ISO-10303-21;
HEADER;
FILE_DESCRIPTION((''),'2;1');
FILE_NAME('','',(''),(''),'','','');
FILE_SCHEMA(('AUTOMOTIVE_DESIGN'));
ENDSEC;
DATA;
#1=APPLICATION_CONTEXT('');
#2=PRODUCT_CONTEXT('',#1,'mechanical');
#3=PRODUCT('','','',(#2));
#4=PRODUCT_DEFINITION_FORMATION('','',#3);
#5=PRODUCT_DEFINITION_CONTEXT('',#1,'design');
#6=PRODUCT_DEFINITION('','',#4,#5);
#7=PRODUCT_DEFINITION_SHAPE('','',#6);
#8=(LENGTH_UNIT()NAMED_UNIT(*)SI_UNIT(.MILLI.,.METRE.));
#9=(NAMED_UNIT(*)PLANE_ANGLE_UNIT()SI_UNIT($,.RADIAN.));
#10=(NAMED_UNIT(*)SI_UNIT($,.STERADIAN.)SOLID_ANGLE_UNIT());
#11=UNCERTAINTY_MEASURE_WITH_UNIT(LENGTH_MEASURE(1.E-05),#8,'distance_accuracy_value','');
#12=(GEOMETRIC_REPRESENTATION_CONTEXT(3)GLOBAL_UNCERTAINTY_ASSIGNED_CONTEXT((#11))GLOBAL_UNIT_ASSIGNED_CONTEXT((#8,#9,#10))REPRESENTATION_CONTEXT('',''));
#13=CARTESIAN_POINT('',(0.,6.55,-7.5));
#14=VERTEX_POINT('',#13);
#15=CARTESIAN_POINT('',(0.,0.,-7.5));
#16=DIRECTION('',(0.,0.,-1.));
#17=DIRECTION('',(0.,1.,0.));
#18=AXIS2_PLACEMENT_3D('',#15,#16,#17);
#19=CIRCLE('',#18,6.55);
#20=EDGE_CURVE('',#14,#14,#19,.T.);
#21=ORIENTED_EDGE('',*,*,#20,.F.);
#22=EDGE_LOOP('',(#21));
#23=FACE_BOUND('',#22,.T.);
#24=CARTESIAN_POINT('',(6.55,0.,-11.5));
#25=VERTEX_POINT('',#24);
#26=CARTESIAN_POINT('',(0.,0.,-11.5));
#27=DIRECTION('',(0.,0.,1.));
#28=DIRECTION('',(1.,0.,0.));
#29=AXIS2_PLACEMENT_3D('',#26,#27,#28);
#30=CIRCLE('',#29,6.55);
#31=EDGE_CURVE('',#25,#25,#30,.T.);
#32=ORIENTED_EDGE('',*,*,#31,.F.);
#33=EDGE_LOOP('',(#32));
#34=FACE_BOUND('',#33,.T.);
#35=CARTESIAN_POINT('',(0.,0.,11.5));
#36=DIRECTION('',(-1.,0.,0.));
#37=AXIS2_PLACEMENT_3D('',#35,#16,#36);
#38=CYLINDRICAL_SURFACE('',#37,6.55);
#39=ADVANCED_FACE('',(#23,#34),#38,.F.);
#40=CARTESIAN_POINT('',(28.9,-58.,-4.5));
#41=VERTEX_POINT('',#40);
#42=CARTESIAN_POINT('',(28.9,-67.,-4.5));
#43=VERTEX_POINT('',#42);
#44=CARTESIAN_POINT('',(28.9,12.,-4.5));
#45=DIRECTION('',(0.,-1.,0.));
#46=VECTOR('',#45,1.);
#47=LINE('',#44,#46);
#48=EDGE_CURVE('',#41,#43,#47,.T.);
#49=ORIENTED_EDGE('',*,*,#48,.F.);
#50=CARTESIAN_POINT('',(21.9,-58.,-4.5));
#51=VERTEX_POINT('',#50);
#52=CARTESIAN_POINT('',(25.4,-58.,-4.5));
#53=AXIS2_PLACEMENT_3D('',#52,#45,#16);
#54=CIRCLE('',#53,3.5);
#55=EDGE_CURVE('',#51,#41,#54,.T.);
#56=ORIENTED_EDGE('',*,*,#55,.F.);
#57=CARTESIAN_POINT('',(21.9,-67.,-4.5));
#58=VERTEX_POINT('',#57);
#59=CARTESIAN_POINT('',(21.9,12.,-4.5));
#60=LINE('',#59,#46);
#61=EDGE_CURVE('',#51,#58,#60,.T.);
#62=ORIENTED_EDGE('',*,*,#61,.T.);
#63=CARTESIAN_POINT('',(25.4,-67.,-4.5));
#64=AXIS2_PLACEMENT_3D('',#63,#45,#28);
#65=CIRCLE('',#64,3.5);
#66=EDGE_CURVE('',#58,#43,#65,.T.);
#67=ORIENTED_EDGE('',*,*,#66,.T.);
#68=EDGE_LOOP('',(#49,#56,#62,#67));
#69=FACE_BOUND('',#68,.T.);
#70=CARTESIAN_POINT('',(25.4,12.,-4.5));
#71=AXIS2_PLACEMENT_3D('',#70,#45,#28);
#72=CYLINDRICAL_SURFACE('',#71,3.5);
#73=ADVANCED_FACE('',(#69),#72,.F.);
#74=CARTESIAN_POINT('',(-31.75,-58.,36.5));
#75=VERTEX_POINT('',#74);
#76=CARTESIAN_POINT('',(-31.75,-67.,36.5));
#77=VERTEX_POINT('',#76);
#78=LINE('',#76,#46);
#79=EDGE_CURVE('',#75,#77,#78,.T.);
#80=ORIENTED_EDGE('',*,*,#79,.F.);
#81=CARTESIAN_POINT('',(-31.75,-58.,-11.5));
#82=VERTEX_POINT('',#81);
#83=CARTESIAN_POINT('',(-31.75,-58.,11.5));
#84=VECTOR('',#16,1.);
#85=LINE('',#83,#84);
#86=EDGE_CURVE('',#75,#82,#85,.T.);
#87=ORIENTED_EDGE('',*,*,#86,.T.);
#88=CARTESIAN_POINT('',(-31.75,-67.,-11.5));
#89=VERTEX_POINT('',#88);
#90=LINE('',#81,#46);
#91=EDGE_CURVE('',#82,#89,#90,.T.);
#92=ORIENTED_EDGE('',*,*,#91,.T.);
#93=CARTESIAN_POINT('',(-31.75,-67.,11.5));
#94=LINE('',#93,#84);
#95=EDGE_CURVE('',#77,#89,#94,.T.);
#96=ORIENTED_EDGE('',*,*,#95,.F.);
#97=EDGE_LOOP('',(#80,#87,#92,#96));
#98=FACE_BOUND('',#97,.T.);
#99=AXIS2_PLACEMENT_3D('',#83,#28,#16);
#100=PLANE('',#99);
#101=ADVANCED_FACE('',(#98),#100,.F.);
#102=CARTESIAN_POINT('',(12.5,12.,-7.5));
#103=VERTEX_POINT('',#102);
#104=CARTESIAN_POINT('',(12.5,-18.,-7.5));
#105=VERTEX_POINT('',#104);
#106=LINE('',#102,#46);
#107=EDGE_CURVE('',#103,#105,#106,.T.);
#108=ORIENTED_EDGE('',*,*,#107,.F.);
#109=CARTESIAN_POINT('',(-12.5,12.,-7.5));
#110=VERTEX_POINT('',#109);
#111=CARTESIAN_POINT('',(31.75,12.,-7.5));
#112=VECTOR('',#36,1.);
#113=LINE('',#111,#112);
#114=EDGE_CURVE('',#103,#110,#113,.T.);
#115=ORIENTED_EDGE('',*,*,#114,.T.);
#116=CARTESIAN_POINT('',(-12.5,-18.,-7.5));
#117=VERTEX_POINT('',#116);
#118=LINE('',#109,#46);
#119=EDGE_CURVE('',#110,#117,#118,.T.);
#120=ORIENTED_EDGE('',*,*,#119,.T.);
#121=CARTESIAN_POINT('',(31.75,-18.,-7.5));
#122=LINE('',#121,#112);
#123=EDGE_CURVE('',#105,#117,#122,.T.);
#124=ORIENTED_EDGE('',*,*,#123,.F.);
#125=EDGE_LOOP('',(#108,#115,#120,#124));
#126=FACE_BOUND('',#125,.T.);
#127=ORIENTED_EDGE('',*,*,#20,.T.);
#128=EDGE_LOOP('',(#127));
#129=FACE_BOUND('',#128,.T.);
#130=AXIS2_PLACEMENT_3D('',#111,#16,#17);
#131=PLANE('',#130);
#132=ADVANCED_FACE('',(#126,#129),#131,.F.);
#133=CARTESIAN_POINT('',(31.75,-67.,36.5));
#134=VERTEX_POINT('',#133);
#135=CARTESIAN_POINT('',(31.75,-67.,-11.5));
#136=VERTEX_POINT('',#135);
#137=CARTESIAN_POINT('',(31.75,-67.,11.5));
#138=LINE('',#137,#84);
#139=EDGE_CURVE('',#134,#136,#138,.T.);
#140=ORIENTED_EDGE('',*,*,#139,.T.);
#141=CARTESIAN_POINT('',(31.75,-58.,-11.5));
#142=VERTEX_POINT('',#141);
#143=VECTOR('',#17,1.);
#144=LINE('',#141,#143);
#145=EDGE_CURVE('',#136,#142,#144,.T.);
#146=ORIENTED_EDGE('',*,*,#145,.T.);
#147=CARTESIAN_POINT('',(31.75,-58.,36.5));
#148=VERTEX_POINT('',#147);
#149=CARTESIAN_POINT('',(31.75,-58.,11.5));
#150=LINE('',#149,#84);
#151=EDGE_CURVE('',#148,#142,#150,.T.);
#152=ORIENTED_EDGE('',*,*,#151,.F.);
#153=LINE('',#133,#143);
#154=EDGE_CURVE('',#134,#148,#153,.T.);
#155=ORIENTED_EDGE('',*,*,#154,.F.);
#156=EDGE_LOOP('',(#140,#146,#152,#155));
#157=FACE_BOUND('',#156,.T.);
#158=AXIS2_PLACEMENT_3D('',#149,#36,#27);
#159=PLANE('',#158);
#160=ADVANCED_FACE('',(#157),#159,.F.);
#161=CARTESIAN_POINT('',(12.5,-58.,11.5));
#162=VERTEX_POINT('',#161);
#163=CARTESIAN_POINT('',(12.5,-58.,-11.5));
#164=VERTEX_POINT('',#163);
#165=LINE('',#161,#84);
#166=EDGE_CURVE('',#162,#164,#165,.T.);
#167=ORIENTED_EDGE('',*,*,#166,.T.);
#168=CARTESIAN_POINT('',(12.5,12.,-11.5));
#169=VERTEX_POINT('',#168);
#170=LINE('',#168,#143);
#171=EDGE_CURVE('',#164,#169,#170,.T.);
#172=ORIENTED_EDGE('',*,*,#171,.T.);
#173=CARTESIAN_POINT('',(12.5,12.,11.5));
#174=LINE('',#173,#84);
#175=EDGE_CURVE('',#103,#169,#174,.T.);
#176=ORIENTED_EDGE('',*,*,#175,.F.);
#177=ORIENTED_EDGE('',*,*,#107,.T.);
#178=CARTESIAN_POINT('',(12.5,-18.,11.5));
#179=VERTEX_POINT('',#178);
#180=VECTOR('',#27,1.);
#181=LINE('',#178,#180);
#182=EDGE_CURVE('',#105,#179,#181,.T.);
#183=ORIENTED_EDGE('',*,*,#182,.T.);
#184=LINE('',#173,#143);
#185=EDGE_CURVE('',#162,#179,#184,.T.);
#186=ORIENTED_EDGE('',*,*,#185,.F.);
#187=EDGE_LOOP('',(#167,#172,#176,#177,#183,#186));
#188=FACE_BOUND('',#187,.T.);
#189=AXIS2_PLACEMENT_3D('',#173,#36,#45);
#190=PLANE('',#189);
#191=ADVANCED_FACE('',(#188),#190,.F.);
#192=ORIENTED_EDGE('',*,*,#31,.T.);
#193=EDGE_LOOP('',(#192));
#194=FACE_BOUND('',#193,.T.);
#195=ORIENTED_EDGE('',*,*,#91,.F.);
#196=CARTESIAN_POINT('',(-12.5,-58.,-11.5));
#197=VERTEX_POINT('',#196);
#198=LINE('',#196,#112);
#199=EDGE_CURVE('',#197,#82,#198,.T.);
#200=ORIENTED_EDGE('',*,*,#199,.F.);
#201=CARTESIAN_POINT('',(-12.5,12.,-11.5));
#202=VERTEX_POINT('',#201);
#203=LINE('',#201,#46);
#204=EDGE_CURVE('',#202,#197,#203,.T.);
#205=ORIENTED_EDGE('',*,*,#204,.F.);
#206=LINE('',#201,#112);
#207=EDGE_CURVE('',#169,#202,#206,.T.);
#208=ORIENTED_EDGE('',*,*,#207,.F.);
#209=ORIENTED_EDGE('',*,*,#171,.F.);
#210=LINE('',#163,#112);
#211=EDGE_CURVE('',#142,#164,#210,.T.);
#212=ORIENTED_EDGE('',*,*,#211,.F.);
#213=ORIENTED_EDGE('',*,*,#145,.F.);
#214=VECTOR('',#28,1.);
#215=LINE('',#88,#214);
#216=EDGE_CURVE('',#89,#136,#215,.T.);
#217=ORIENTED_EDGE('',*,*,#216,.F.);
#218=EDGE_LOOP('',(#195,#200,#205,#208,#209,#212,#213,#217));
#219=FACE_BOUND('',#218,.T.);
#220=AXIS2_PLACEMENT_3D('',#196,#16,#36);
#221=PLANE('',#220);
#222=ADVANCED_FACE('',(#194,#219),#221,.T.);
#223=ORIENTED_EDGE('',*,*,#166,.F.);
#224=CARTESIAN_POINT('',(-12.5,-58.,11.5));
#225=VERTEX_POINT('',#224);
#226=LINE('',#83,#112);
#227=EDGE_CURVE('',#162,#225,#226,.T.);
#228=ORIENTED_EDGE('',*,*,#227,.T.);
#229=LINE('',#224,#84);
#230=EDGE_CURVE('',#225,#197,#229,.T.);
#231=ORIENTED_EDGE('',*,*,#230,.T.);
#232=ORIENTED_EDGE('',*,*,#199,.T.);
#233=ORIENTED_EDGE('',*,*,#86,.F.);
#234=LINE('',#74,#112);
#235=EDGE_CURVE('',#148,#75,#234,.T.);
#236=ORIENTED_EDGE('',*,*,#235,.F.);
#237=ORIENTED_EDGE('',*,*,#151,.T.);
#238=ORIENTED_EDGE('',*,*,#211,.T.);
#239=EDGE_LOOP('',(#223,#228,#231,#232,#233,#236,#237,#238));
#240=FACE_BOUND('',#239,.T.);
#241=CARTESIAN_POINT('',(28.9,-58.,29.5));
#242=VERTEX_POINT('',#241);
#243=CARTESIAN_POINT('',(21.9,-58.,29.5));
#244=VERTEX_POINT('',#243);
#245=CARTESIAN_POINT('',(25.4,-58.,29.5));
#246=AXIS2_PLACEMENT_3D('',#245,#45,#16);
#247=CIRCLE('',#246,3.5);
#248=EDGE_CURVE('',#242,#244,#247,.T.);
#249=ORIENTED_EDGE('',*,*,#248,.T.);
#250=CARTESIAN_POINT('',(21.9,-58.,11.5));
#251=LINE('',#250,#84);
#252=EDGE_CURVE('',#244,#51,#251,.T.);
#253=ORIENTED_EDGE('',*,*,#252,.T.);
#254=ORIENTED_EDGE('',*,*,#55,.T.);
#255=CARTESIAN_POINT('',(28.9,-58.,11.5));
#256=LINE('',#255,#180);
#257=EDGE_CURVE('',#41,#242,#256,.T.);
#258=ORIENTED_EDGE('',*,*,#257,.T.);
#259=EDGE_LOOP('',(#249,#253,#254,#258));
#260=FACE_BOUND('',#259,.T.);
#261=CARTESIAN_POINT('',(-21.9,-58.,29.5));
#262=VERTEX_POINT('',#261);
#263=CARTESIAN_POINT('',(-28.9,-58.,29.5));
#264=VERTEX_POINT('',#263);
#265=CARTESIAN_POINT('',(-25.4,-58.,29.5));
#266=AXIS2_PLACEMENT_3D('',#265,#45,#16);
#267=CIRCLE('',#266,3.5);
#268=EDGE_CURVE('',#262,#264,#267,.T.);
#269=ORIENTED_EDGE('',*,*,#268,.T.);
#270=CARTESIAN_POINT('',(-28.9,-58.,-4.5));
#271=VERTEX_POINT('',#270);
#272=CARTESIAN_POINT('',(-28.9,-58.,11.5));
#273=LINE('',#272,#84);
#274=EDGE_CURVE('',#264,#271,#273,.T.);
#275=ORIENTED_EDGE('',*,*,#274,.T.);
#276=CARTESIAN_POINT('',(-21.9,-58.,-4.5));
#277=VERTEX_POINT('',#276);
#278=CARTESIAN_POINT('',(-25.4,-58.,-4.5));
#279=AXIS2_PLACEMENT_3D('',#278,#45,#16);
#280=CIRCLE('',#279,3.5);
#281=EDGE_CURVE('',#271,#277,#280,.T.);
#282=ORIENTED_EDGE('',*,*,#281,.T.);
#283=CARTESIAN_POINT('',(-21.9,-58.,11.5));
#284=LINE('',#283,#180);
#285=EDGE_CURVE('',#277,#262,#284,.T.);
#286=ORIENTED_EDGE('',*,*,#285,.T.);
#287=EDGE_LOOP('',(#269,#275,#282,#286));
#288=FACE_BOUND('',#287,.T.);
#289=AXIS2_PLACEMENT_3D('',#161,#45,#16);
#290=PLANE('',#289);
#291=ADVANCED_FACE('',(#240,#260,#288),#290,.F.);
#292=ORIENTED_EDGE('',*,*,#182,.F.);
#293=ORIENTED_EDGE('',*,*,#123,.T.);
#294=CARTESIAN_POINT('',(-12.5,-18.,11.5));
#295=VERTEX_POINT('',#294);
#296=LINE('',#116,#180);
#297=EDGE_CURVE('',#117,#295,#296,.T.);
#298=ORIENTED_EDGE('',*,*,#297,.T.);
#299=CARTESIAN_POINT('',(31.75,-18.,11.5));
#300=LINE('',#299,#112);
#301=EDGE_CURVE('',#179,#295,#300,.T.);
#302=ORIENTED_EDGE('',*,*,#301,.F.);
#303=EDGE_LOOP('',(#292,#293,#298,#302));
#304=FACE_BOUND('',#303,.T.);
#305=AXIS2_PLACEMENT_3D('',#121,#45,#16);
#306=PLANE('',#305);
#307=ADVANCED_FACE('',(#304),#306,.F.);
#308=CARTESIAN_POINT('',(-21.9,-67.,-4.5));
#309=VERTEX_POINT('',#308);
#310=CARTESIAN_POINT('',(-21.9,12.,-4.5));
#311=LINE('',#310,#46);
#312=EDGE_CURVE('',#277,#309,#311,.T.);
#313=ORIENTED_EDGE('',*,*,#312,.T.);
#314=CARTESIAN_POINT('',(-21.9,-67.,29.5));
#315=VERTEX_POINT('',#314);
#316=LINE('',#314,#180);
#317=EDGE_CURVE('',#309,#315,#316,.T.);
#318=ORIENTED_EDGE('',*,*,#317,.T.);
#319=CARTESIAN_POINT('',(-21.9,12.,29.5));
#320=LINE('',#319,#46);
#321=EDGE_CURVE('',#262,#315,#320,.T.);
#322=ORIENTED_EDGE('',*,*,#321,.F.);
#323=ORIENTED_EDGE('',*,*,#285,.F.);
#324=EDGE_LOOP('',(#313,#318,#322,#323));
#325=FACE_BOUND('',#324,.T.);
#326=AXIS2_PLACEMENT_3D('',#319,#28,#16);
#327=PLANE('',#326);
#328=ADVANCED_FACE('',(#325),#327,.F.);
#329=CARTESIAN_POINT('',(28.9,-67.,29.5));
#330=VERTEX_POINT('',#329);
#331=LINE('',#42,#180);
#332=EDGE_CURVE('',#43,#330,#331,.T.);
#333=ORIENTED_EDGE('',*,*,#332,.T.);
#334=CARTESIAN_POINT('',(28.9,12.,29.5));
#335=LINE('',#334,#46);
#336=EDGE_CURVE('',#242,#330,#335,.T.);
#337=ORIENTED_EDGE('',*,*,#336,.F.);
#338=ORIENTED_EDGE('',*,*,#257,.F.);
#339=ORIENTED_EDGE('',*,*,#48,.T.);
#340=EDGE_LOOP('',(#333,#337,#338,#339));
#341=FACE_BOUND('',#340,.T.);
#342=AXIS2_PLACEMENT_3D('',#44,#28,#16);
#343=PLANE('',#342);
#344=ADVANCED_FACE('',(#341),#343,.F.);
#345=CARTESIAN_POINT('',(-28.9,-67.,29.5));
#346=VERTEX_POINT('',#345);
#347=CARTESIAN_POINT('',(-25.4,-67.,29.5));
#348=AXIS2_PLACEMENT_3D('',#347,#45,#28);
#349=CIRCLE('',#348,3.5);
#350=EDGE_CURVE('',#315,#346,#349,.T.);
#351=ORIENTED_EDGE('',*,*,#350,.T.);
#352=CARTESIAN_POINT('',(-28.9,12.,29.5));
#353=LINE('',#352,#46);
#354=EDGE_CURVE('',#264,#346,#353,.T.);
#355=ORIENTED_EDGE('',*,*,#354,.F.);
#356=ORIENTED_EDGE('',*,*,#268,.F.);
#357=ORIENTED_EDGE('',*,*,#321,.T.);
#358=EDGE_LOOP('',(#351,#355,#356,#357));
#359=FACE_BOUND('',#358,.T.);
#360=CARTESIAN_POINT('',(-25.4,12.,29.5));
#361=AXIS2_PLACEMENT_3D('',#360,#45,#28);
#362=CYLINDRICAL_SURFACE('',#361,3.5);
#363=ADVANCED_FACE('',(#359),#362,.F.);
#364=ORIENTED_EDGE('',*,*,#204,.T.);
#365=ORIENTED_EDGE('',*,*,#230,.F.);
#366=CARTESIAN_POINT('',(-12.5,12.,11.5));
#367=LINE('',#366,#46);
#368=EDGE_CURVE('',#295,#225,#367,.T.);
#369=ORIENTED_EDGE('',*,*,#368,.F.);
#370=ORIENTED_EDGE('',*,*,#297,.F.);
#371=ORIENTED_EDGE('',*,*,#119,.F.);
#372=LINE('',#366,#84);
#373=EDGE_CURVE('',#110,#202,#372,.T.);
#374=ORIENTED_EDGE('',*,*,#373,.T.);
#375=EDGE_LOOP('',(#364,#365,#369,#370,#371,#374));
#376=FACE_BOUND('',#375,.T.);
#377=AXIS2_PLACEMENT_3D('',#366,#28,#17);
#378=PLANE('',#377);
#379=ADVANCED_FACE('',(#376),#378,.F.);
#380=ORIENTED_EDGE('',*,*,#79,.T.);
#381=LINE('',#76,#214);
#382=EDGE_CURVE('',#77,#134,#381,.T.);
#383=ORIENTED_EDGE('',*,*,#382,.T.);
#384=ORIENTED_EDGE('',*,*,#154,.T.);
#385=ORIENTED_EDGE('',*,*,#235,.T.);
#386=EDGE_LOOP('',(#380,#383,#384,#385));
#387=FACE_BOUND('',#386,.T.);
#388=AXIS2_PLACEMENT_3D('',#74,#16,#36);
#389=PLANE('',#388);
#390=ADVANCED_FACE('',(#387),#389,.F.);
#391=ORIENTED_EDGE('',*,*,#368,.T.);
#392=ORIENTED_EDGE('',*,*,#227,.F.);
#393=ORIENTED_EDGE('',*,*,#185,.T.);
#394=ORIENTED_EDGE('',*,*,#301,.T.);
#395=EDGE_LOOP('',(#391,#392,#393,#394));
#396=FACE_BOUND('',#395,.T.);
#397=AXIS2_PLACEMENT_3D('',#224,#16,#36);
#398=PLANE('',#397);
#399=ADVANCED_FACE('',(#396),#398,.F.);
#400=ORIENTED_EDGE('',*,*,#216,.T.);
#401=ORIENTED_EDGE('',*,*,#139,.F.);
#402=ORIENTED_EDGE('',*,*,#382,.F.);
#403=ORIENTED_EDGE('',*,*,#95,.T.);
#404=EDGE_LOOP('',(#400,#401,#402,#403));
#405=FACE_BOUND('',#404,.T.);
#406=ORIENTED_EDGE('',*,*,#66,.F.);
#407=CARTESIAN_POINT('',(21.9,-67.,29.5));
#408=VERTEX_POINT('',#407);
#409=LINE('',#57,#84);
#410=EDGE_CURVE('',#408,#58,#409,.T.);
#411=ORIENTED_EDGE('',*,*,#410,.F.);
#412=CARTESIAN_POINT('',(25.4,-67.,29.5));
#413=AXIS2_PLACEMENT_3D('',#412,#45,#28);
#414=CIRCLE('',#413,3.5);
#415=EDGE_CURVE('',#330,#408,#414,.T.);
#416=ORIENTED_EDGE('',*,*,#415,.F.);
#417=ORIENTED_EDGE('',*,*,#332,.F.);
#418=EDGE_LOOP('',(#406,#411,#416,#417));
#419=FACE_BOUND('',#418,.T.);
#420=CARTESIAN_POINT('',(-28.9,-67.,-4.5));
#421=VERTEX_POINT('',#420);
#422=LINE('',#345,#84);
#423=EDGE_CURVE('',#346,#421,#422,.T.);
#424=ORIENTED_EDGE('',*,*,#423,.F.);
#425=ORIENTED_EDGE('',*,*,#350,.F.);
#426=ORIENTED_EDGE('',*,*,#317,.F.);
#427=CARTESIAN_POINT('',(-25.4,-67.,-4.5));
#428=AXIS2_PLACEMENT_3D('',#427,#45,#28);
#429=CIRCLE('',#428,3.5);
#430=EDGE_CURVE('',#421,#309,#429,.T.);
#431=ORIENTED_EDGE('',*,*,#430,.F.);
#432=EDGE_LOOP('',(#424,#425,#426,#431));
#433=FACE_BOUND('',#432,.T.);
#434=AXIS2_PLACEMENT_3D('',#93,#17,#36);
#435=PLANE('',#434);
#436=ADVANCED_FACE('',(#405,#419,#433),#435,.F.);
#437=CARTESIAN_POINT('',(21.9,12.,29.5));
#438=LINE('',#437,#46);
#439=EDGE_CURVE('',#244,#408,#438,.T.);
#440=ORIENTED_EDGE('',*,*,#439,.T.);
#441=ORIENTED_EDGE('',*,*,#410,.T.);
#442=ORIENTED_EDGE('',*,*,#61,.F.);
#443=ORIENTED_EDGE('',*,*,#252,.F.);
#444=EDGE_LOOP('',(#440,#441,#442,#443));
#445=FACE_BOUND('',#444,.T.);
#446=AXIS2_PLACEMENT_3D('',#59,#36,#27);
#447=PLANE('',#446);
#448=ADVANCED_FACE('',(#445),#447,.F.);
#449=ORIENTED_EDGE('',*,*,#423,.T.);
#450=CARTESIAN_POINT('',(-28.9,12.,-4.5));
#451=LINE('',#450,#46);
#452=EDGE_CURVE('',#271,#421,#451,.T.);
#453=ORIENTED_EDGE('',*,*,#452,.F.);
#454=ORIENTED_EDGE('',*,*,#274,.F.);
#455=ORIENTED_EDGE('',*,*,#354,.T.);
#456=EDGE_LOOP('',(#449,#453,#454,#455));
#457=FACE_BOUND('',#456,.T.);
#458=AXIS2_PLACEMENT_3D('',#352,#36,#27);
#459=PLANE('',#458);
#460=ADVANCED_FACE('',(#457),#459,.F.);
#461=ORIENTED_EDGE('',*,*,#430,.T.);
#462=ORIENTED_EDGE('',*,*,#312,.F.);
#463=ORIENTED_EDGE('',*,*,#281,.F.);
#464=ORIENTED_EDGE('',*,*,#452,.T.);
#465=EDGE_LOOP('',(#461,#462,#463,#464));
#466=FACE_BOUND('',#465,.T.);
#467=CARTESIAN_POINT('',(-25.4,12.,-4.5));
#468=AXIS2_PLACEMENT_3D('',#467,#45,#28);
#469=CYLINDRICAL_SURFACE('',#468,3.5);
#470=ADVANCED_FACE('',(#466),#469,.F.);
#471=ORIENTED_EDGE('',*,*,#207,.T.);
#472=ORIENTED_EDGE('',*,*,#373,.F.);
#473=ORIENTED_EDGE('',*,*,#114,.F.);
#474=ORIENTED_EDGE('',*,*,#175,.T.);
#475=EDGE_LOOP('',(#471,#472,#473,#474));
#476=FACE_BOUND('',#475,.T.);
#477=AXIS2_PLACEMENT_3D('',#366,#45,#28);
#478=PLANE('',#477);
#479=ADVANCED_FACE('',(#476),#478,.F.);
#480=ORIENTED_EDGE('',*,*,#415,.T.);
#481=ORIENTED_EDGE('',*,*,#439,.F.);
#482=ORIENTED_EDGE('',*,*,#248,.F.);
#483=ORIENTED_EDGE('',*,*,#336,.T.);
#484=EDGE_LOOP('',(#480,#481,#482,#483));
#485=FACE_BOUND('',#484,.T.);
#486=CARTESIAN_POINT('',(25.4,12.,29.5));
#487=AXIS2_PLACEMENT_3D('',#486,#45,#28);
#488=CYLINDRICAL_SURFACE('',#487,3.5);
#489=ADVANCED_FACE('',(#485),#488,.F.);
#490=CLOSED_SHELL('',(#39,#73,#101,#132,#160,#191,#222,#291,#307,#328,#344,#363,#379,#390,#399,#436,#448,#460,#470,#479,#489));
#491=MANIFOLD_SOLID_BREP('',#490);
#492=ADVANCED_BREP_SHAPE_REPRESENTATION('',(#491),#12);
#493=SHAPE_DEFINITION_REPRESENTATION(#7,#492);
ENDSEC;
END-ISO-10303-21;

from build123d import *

# Parameters (mm, degrees)
SKETCH1_R           = 6.55
BOSS_EXTRUDE1_DEPTH = 11.5
SKETCH9_W           = 19
SKETCH9_H           = 30
CUT_EXTRUDE4_DEPTH  = 45.25
SKETCH12_W          = 63.5
SKETCH12_H          = 9
BOSS_EXTRUDE2_DEPTH = 25
CUT_EXTRUDE5_DEPTH  = 80


with BuildPart() as part:
    # Sketch1 → Boss-Extrude1 (new body, symmetric)
    with BuildSketch(Plane.XY):
        Polygon((-12.5, -58), (-31.75, -58), (-31.75, -67), (31.75, -67), (31.75, -58), (12.5, -58), (12.5, 12), (-12.5, 12), align=None)
        Circle(SKETCH1_R, mode=Mode.SUBTRACT)
    extrude(amount=BOSS_EXTRUDE1_DEPTH, both=True)

    # Sketch9 → Cut-Extrude4 (cut, through all)
    with BuildSketch(Plane.ZY.offset(12.5)):
        with Locations((2, -3)):
            Rectangle(SKETCH9_W, SKETCH9_H)
    extrude(amount=-CUT_EXTRUDE4_DEPTH, mode=Mode.SUBTRACT)

    # Sketch12 → Boss-Extrude2 (add)
    with BuildSketch(Plane.XY.offset(11.5)):
        with Locations((0, -62.5)):
            Rectangle(SKETCH12_W, SKETCH12_H)
    extrude(amount=BOSS_EXTRUDE2_DEPTH)

    # Sketch11 → Cut-Extrude5 (cut, through all)
    with BuildSketch(Plane.XZ.offset(67)):
        with BuildLine():
            Line((-21.9, 29.5), (-21.9, -4.5))
            ThreePointArc((-21.9, -4.5), (-25.4, -8), (-28.9, -4.5))
            Line((-28.9, -4.5), (-28.9, 29.5))
            ThreePointArc((-28.9, 29.5), (-25.4, 33), (-21.9, 29.5))
        make_face()
        with BuildLine():
            Line((21.9, -4.5), (21.9, 29.5))
            ThreePointArc((21.9, 29.5), (25.4, 33), (28.9, 29.5))
            Line((28.9, 29.5), (28.9, -4.5))
            ThreePointArc((28.9, -4.5), (25.4, -8), (21.9, -4.5))
        make_face()
    extrude(amount=-CUT_EXTRUDE5_DEPTH, mode=Mode.SUBTRACT)


solid = part.part
